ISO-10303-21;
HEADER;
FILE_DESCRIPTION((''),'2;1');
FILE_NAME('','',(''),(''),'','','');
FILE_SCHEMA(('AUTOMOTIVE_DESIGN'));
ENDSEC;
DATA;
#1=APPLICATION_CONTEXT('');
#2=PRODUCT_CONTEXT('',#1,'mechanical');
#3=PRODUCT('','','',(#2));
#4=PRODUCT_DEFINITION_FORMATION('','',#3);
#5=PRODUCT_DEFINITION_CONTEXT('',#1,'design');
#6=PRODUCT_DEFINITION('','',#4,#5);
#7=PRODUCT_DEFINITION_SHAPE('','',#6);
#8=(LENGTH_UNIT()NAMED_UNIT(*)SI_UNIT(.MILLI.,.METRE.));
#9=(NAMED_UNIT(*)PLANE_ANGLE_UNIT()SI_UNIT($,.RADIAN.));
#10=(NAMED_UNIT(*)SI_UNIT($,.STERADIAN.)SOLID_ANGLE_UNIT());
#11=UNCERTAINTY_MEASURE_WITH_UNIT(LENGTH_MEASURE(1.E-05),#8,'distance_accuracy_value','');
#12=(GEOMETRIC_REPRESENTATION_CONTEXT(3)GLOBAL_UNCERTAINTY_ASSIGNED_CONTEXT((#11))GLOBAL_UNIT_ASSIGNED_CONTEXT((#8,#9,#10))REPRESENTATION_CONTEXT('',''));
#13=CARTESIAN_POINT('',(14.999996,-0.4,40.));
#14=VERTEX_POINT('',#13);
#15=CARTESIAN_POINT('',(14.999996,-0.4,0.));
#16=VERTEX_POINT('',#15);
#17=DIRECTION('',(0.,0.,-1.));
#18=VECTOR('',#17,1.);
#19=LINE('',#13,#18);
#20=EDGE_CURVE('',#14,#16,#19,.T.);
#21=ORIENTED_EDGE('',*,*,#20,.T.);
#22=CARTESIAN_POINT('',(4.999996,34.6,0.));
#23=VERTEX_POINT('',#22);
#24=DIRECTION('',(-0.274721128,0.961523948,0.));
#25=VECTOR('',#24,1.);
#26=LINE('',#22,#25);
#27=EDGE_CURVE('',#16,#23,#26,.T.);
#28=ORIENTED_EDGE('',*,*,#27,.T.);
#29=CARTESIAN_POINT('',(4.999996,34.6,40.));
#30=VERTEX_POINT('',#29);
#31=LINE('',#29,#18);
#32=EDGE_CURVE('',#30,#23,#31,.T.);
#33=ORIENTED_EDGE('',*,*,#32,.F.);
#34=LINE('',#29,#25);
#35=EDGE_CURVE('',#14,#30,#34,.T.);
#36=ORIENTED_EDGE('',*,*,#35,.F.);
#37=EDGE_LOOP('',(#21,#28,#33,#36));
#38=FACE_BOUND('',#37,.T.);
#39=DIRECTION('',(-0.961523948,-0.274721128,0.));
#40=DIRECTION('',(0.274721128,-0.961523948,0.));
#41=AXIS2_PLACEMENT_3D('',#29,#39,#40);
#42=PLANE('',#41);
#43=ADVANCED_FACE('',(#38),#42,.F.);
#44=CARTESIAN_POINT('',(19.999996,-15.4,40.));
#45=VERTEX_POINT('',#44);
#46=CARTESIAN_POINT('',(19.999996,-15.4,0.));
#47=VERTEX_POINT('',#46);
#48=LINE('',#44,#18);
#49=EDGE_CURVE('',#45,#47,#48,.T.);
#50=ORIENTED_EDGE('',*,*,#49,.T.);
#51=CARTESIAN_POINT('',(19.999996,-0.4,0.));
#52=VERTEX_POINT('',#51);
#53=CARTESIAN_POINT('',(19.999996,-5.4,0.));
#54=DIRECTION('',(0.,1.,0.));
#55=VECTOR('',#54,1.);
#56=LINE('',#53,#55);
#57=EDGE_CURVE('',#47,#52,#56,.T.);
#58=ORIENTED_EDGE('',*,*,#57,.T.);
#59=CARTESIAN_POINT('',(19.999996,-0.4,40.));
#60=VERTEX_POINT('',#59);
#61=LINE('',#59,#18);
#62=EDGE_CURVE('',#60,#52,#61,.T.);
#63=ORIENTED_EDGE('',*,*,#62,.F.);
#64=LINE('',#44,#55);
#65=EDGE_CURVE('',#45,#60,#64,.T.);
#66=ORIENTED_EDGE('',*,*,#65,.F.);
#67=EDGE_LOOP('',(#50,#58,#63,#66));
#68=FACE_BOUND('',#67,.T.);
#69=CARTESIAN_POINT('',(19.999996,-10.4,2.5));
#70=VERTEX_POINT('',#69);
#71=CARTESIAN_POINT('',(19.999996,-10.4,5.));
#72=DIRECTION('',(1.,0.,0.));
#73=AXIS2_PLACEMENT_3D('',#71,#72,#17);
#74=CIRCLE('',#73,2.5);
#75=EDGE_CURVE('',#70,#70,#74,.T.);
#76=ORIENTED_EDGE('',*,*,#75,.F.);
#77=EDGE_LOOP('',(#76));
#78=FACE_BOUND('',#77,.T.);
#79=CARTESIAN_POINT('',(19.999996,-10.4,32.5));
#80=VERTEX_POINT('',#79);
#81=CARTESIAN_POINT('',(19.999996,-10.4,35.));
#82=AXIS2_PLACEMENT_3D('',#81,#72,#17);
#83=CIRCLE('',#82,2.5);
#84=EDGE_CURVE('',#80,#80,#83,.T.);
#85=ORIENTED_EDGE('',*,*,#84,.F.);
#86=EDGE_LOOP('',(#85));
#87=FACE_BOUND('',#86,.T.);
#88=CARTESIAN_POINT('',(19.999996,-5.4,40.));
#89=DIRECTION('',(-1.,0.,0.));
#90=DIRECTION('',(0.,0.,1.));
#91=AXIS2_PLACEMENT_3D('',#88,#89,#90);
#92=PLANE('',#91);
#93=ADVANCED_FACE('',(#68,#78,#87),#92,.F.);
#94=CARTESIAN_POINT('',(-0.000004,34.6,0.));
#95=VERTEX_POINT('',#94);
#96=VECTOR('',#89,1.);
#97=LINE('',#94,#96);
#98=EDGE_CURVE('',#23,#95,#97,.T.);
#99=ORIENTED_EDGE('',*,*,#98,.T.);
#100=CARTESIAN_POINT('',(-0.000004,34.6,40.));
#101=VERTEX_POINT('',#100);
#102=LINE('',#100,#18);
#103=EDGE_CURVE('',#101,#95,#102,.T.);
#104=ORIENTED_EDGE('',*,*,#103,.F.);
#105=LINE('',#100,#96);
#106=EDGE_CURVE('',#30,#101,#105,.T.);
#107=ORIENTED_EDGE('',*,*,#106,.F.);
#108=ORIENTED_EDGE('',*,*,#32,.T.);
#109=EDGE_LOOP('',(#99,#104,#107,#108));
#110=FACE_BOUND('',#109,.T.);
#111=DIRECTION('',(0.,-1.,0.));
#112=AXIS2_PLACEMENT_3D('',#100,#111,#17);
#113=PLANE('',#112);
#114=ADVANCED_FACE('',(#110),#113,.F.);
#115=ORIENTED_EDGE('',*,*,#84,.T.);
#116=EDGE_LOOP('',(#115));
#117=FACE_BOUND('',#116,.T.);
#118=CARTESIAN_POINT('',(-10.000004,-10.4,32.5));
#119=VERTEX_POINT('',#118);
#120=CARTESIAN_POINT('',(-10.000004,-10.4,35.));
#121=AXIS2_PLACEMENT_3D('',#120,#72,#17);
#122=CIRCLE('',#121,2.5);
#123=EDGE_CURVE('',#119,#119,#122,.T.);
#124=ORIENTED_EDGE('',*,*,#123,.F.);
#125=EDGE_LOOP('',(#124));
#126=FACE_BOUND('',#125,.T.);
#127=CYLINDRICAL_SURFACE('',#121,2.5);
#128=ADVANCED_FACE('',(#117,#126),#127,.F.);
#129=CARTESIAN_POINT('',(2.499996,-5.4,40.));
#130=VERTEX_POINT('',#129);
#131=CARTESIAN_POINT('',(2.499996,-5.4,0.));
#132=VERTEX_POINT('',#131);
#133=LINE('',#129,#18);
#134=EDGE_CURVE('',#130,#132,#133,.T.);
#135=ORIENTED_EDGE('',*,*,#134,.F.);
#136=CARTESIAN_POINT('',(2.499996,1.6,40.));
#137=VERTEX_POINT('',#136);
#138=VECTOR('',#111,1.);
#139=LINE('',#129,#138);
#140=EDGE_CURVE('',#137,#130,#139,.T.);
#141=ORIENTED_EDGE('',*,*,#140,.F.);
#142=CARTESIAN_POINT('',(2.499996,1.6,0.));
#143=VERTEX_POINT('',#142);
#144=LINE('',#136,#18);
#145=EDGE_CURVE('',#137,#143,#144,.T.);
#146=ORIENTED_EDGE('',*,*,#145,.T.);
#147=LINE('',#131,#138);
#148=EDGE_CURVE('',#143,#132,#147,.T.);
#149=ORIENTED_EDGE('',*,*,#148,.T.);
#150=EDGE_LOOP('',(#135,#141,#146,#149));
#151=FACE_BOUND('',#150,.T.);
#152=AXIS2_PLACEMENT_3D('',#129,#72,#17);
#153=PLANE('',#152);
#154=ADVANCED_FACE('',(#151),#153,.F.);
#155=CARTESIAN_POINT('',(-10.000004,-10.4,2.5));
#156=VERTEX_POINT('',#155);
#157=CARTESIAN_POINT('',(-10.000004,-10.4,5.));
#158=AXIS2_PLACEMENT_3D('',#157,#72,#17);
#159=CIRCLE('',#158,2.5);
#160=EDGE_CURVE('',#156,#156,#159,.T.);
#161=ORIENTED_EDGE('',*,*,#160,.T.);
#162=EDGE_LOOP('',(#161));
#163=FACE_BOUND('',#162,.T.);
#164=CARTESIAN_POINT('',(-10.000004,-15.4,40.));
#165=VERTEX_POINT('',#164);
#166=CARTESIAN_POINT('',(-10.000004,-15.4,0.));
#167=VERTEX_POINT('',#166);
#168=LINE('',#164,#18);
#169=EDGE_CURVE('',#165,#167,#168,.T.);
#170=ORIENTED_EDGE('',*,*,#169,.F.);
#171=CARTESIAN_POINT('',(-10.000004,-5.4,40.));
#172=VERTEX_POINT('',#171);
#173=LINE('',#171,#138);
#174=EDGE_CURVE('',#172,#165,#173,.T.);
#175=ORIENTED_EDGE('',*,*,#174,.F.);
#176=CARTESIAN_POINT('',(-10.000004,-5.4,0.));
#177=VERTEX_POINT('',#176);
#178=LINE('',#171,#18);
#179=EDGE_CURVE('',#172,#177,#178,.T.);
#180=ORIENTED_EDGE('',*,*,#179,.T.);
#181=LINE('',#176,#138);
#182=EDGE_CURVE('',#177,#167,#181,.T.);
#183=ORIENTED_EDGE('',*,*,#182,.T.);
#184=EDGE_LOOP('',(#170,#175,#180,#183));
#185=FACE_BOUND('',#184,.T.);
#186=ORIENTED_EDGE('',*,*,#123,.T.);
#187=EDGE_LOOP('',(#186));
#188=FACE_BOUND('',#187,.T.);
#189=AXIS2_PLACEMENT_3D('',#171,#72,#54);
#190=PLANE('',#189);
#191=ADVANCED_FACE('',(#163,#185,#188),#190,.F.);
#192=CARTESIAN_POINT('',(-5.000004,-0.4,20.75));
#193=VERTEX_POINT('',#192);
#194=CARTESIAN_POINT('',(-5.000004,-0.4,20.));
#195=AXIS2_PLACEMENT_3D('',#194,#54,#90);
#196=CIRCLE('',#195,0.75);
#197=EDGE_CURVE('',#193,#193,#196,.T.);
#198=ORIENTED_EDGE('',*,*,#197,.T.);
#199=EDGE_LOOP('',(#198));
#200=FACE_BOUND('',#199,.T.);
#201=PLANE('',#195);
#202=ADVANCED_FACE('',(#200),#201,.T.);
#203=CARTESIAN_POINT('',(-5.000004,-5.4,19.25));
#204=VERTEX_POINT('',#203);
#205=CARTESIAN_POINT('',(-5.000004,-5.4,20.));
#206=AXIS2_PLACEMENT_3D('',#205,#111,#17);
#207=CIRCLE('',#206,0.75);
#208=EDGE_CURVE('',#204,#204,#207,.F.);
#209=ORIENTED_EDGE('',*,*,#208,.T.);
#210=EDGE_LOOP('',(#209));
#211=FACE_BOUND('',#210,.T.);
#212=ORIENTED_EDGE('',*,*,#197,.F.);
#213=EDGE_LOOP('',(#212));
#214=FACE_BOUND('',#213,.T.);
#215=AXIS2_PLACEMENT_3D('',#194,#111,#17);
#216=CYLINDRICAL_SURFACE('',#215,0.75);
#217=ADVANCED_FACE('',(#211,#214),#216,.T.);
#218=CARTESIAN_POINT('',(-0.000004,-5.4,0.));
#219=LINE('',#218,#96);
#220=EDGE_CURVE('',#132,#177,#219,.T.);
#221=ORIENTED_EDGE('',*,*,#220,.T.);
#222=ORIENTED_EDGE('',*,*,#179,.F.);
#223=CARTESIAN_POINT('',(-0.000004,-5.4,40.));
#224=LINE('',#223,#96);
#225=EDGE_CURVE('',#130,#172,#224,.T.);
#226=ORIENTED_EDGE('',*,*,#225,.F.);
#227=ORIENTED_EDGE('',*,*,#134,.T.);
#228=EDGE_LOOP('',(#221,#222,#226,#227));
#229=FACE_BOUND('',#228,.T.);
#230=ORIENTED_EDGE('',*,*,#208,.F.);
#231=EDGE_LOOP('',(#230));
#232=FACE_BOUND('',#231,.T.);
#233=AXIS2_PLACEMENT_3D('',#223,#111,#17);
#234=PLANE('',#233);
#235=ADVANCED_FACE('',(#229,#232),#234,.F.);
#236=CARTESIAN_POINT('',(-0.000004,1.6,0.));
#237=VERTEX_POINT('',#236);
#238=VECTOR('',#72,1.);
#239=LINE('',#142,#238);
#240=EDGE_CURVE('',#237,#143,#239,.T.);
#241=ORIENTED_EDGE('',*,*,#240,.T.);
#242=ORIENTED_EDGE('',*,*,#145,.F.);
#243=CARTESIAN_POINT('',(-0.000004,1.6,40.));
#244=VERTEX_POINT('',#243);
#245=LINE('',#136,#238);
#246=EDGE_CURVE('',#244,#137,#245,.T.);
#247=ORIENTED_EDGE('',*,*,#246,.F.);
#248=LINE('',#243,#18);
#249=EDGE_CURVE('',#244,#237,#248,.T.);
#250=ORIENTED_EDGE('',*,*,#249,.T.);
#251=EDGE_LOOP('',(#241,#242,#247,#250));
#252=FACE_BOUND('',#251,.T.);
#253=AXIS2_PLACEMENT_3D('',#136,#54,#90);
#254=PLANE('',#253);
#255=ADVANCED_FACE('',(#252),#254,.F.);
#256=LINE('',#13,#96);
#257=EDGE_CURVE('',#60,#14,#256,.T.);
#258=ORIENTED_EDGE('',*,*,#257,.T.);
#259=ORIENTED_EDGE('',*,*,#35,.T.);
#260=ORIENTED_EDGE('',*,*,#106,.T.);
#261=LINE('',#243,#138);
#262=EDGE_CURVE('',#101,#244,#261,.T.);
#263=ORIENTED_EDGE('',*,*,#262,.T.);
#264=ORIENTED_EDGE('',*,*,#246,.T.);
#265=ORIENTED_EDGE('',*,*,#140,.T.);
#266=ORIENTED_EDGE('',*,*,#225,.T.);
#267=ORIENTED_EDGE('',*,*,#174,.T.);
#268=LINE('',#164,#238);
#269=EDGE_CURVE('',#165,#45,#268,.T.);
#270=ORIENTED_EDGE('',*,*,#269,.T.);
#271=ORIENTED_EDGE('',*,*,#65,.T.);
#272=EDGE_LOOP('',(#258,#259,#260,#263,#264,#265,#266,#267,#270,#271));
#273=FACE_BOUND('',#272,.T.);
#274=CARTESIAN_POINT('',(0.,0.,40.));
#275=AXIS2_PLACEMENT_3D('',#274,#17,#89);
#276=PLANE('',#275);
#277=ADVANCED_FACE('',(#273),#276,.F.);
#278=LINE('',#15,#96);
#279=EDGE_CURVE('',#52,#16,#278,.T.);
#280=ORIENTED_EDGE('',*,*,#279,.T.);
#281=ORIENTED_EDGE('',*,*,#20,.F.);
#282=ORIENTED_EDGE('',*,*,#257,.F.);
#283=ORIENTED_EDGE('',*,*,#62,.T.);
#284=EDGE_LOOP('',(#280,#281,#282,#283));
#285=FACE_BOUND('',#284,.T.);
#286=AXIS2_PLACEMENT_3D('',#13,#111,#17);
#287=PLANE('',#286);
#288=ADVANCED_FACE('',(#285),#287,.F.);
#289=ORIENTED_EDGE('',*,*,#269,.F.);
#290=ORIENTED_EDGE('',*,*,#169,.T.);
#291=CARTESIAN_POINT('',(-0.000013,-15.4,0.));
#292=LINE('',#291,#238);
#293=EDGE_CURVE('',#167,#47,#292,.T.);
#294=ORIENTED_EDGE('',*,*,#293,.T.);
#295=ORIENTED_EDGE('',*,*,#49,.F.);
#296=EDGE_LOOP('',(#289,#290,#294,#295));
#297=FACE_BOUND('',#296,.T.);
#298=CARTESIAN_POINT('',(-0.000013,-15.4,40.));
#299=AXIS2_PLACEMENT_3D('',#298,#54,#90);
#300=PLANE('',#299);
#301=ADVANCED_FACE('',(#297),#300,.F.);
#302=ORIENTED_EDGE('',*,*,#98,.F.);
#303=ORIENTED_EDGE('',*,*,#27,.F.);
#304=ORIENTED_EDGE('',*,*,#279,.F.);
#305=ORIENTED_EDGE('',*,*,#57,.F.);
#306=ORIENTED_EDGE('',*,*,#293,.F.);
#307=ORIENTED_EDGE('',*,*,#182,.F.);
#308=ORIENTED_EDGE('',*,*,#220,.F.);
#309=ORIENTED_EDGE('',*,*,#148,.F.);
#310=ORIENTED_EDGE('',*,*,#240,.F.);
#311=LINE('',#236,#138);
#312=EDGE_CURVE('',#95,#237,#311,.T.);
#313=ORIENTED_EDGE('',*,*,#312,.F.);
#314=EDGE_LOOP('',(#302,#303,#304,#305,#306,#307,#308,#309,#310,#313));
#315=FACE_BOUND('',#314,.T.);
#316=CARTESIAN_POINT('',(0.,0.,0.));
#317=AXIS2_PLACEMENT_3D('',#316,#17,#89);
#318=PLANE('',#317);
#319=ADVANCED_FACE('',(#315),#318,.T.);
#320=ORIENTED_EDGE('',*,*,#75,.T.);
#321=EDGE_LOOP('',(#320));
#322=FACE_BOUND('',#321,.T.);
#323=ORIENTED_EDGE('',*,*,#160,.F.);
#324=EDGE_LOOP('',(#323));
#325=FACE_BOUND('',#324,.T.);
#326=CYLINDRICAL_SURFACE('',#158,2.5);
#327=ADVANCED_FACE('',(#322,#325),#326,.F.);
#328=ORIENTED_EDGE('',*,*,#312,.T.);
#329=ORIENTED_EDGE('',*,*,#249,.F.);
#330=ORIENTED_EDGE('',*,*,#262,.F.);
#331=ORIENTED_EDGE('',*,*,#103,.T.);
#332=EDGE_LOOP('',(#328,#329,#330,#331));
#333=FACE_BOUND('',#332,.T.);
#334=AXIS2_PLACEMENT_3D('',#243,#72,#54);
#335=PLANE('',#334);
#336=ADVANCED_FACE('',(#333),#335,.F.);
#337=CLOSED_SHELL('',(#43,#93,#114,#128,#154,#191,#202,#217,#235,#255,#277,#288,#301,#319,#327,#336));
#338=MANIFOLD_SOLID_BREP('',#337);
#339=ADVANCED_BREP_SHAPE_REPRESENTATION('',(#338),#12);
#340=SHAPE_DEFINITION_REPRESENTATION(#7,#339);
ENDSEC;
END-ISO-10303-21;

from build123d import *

# Parameters (mm, degrees)
BOSS_EXTRUDE2_DEPTH = 40
SKETCH7_R           = 2.5
CUT_EXTRUDE1_DEPTH  = 61.804276165
SKETCH8_R           = 0.75
BOSS_EXTRUDE3_DEPTH = 5


with BuildPart() as part:
    # Sketch1 → Boss-Extrude2 (new body)
    with BuildSketch(Plane.XY):
        Polygon((-4.44e-06, 34.6), (4.99999556, 34.6), (14.99999556, -0.4), (19.99999556, -0.4), (19.99999556, -5.4), (19.99999556, -15.4), (-1.2662e-05, -15.4), (-10.00000444, -15.4), (-10.00000444, -5.4), (-4.44e-06, -5.4), (2.49999556, -5.4), (2.49999556, 1.6), (-4.44e-06, 1.6), align=None)
    extrude(amount=BOSS_EXTRUDE2_DEPTH)

    # Sketch7 → Cut-Extrude1 (cut, through all)
    with BuildSketch(Plane(origin=(19.99999556, 0, 0), x_dir=(0, 0, -1), z_dir=(1, 0, 0))):
        with Locations((-35, -10.4)):
            Circle(SKETCH7_R)
        with Locations((-5, -10.4)):
            Circle(SKETCH7_R)
    extrude(amount=-CUT_EXTRUDE1_DEPTH, mode=Mode.SUBTRACT)

    # Sketch8 → Boss-Extrude3 (add)
    with BuildSketch(Plane(origin=(0, -5.4, 0), x_dir=(1, 0, 0), z_dir=(0, 1, 0))):
        with Locations(Location((-5.00000444, -20, 0), (0, 0, 90))):
            Circle(SKETCH8_R)
    extrude(amount=BOSS_EXTRUDE3_DEPTH)


solid = part.part
